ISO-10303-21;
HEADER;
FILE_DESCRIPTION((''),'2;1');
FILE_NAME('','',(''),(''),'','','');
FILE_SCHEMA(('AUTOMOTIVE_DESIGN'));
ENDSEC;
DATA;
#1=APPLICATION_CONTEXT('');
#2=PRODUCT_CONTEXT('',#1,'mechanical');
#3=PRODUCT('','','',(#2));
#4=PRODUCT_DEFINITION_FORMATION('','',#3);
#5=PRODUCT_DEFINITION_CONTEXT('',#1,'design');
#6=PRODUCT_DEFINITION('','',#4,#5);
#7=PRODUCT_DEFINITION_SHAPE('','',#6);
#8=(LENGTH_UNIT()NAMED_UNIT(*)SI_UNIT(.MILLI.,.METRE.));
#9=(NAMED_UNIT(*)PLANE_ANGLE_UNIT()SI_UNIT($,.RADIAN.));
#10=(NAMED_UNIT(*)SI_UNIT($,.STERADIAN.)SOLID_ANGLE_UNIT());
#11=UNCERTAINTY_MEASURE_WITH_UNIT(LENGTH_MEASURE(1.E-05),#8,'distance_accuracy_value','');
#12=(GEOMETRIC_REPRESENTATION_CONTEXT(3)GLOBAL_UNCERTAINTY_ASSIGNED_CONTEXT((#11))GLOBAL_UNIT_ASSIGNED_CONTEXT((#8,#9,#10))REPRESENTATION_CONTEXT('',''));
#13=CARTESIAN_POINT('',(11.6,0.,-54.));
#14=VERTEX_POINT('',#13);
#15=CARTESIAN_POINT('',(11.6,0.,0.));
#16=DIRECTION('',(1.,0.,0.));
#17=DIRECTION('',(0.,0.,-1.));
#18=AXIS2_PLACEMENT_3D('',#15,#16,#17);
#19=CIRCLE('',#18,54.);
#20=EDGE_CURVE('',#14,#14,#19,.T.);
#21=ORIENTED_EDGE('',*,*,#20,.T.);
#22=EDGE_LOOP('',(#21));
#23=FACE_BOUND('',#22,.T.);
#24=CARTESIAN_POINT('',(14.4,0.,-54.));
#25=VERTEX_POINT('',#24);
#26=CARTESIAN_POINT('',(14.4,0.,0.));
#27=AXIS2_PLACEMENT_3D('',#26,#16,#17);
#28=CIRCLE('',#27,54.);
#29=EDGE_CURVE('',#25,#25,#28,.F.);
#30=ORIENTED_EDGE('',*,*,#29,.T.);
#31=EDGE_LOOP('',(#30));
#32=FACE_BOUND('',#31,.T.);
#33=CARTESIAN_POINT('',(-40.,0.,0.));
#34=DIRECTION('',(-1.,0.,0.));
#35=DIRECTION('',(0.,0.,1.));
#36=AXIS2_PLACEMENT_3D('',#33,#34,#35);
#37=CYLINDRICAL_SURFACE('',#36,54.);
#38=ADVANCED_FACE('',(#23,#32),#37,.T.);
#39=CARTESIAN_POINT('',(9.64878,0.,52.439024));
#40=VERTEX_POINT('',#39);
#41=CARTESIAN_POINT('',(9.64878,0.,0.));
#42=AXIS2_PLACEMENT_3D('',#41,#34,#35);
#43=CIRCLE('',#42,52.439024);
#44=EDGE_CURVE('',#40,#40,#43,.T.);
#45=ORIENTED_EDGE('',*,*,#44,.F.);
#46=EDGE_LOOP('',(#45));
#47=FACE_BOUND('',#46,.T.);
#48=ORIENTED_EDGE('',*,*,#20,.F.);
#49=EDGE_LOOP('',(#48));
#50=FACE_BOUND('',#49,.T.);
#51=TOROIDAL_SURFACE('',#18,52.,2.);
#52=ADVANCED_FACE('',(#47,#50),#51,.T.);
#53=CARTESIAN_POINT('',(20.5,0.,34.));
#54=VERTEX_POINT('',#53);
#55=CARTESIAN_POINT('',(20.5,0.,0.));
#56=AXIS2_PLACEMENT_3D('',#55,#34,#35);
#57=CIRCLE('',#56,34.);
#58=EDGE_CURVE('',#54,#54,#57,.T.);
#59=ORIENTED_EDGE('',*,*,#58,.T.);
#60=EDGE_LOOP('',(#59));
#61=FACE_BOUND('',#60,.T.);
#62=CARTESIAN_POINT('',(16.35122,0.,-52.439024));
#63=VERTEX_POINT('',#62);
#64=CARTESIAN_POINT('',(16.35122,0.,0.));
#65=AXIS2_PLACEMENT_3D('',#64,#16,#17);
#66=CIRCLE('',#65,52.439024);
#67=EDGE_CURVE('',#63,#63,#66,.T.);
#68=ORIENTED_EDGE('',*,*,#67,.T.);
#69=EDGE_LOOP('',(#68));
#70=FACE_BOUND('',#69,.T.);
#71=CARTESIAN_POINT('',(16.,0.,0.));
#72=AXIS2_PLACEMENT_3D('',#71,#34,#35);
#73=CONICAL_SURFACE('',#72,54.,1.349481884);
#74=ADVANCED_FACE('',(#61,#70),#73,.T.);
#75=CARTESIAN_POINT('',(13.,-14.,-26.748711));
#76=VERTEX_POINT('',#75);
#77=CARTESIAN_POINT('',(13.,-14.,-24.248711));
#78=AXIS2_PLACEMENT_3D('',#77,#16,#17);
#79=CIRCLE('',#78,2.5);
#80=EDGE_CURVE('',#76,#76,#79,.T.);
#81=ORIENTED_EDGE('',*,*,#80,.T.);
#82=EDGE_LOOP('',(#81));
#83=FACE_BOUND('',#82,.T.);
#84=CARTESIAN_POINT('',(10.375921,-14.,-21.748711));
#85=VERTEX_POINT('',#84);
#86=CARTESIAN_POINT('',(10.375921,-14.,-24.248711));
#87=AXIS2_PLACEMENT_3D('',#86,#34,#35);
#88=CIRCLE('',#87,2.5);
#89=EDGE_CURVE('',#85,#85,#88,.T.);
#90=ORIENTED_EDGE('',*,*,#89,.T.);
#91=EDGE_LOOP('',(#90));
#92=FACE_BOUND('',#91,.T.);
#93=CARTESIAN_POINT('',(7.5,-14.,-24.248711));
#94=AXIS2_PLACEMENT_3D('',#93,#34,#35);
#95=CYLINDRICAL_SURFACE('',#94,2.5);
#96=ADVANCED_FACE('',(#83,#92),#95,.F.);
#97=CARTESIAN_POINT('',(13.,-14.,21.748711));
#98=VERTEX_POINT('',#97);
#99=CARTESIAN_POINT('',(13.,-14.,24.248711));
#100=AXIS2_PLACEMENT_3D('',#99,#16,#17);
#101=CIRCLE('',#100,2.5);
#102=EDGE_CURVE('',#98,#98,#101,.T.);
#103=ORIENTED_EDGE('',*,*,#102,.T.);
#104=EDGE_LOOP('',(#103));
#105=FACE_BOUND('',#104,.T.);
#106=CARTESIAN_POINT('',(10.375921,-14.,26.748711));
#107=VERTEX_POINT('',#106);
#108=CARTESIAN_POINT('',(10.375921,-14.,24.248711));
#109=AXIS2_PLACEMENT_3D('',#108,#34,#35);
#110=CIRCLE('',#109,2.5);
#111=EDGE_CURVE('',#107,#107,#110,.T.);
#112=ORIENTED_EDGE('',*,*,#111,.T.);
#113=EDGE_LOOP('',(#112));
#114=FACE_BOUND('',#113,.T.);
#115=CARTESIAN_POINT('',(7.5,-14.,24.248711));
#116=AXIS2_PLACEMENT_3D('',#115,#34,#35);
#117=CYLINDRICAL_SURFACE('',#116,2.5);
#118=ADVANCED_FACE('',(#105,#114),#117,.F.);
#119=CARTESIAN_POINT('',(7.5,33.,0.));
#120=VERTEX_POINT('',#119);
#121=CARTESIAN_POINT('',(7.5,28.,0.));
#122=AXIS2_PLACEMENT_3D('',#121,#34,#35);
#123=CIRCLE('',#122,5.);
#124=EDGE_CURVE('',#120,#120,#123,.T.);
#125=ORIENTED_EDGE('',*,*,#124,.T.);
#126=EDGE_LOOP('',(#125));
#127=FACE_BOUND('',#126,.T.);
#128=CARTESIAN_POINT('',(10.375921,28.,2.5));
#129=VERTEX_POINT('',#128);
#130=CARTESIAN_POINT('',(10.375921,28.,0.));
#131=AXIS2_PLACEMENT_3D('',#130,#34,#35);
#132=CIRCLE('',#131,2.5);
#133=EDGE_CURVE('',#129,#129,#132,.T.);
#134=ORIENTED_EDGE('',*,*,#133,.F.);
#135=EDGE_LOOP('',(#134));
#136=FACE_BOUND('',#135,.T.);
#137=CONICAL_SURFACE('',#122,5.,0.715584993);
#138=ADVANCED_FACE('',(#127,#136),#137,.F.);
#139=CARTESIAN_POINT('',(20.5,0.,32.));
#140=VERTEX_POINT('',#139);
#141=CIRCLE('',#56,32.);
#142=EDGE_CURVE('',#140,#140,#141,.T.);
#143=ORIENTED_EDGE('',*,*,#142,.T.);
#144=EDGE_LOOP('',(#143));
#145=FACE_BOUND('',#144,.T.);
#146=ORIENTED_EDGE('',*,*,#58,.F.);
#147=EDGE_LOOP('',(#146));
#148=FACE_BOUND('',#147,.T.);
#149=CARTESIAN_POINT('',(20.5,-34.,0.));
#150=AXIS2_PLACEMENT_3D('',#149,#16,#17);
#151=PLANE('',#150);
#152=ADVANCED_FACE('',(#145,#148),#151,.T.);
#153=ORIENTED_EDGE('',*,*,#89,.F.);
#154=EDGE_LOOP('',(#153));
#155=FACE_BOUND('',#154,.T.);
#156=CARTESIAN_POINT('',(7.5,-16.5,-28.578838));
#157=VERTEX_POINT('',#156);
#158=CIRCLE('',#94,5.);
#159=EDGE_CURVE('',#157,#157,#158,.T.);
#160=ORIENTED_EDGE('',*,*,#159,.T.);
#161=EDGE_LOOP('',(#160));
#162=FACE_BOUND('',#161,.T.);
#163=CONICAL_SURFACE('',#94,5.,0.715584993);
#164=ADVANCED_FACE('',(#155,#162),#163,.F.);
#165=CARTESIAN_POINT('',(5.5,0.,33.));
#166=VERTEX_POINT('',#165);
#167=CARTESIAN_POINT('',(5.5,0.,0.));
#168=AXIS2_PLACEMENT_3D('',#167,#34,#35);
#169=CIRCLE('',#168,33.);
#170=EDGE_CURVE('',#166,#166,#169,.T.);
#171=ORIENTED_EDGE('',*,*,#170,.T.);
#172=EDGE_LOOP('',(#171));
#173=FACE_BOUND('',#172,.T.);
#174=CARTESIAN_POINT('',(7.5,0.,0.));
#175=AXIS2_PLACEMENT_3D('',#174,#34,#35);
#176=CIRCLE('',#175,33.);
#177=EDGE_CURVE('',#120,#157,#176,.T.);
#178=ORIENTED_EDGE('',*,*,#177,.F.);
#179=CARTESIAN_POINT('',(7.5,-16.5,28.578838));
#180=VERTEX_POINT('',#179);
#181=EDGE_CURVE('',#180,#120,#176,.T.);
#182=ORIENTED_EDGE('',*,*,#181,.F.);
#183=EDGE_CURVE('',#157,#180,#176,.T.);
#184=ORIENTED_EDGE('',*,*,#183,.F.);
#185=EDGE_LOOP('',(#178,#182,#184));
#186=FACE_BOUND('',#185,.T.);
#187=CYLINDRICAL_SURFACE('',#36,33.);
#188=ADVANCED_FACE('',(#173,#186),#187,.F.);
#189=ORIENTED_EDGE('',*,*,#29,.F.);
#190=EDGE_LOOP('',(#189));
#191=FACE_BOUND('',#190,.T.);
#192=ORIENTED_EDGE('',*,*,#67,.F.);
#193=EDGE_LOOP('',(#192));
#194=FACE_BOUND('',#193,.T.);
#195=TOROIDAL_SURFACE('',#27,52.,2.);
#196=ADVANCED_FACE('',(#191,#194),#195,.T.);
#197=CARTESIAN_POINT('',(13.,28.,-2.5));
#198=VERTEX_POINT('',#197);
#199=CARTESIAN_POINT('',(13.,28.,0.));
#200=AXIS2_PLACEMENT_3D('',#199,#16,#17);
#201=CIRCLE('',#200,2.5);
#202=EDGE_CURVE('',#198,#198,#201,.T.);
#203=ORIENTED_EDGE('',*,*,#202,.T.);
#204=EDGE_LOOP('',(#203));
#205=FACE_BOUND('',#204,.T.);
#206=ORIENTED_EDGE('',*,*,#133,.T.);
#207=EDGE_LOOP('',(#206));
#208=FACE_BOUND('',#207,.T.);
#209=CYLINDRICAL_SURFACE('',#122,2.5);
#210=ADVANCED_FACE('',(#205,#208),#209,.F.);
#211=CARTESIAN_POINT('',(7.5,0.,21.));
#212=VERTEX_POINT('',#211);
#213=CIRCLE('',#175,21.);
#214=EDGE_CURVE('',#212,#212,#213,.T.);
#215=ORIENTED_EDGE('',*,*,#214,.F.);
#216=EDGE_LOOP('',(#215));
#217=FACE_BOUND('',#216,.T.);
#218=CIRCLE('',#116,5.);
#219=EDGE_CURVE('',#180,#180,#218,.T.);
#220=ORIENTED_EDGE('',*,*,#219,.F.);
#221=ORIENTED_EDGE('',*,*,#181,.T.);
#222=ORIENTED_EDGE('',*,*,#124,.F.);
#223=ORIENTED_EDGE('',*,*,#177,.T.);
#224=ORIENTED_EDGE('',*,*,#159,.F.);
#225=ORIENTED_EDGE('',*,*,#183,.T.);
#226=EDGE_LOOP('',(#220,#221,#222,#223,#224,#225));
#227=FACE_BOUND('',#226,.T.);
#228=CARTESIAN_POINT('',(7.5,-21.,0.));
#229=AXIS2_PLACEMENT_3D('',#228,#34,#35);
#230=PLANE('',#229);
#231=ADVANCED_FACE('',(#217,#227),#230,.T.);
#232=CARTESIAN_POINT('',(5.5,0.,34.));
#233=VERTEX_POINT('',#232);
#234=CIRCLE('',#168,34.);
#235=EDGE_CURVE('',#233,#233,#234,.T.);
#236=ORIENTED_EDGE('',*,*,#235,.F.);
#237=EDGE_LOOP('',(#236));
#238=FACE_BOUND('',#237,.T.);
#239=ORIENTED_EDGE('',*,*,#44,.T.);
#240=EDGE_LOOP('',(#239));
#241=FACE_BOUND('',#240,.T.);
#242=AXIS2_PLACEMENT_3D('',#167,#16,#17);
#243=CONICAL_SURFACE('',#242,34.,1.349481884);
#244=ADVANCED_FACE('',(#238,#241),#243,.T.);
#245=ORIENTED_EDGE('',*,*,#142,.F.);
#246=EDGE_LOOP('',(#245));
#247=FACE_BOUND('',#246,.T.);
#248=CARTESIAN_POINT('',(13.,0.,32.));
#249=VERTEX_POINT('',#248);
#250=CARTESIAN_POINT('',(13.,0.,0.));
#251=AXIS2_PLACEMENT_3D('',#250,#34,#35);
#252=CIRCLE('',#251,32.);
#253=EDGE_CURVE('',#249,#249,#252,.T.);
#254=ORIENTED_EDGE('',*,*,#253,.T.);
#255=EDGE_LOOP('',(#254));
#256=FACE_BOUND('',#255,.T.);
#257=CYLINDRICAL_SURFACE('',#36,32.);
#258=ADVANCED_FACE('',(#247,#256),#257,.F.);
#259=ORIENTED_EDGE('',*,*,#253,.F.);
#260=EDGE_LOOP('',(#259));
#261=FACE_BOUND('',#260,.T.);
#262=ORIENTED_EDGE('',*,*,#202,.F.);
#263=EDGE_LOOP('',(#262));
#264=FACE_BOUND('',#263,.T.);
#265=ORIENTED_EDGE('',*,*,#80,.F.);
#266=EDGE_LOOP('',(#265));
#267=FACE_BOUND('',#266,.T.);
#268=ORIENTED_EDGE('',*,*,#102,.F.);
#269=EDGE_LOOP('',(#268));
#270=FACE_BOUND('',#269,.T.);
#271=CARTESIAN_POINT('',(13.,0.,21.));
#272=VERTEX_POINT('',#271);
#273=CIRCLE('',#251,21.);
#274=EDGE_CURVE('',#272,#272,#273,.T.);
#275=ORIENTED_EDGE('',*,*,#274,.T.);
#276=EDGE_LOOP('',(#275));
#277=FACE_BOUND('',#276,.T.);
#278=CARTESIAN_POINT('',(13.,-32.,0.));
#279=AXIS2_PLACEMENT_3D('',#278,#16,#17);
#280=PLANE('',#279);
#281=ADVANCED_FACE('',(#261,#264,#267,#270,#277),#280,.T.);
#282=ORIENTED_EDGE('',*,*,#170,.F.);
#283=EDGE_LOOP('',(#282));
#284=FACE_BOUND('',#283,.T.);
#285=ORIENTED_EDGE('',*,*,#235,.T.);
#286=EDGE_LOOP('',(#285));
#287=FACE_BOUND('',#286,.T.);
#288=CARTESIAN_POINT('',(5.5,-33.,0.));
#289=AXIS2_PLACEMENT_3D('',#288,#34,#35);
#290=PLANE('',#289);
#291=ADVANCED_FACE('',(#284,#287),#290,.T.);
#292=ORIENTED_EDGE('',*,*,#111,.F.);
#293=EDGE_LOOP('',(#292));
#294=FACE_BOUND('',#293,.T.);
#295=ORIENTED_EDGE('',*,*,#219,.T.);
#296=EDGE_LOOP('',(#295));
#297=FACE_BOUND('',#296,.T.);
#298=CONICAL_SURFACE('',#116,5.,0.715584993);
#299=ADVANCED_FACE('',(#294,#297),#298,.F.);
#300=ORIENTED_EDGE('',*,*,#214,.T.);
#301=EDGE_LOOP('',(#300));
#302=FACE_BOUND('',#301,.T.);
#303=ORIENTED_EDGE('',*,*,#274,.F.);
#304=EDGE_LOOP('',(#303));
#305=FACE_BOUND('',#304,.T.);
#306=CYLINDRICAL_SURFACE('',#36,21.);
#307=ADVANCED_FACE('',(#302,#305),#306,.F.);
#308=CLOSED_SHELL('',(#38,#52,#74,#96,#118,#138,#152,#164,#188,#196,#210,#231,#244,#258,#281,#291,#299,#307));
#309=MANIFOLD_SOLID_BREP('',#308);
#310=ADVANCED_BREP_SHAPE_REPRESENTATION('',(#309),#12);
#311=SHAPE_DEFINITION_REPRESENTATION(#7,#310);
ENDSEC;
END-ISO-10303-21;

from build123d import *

# Parameters (mm, degrees)
CONG_1_R                     = 2
PER_AGE1_D                   = 5
PER_AGE1_DEPTH               = 20
PER_AGE1_CSINK_D             = 10
PER_AGE1_CSINK_ANGLE         = 82
R_P_TITION_CIRCULAIRE1_COUNT = 3


with BuildPart() as part:
    # Esquisse1 → Base-Révolution (revolve)
    with BuildSketch(Plane.XY, mode=Mode.PRIVATE) as base_r_volution_sk:
        Polygon((5.5, -34), (10, -54), (16, -54), (20.5, -34), (20.5, -32), (13, -32), (13, -21), (7.5, -21), (7.5, -33), (5.5, -33), align=None)
    revolve(base_r_volution_sk.sketch.rotate(Axis((-40, 0, 0), (1, 0, 0)), 270), axis=Axis((-40, 0, 0), (1, 0, 0)))

    # Congé1
    cong_1_edges = [part.edges().sort_by_distance(p)[0] for p in [
        (10, 0, -54),
        (16, 0, -54),
    ]]
    fillet(cong_1_edges, radius=CONG_1_R)

    # Perçage1
    with Locations(Plane.ZY.offset(-7.5)):
        with Locations((0, 28)):
            per_age1 = CounterSinkHole(PER_AGE1_D / 2, PER_AGE1_CSINK_D / 2, depth=PER_AGE1_DEPTH, counter_sink_angle=PER_AGE1_CSINK_ANGLE)

    # Répétition circulaire1: Perçage1 ×3 about axis
    r_p_tition_circulaire1_axis = Axis((10, 0, 0), (-1, 0, 0))
    for i in range(1, R_P_TITION_CIRCULAIRE1_COUNT):
        add(per_age1.rotate(r_p_tition_circulaire1_axis, i * 360 / R_P_TITION_CIRCULAIRE1_COUNT), mode=Mode.SUBTRACT)


solid = part.part
